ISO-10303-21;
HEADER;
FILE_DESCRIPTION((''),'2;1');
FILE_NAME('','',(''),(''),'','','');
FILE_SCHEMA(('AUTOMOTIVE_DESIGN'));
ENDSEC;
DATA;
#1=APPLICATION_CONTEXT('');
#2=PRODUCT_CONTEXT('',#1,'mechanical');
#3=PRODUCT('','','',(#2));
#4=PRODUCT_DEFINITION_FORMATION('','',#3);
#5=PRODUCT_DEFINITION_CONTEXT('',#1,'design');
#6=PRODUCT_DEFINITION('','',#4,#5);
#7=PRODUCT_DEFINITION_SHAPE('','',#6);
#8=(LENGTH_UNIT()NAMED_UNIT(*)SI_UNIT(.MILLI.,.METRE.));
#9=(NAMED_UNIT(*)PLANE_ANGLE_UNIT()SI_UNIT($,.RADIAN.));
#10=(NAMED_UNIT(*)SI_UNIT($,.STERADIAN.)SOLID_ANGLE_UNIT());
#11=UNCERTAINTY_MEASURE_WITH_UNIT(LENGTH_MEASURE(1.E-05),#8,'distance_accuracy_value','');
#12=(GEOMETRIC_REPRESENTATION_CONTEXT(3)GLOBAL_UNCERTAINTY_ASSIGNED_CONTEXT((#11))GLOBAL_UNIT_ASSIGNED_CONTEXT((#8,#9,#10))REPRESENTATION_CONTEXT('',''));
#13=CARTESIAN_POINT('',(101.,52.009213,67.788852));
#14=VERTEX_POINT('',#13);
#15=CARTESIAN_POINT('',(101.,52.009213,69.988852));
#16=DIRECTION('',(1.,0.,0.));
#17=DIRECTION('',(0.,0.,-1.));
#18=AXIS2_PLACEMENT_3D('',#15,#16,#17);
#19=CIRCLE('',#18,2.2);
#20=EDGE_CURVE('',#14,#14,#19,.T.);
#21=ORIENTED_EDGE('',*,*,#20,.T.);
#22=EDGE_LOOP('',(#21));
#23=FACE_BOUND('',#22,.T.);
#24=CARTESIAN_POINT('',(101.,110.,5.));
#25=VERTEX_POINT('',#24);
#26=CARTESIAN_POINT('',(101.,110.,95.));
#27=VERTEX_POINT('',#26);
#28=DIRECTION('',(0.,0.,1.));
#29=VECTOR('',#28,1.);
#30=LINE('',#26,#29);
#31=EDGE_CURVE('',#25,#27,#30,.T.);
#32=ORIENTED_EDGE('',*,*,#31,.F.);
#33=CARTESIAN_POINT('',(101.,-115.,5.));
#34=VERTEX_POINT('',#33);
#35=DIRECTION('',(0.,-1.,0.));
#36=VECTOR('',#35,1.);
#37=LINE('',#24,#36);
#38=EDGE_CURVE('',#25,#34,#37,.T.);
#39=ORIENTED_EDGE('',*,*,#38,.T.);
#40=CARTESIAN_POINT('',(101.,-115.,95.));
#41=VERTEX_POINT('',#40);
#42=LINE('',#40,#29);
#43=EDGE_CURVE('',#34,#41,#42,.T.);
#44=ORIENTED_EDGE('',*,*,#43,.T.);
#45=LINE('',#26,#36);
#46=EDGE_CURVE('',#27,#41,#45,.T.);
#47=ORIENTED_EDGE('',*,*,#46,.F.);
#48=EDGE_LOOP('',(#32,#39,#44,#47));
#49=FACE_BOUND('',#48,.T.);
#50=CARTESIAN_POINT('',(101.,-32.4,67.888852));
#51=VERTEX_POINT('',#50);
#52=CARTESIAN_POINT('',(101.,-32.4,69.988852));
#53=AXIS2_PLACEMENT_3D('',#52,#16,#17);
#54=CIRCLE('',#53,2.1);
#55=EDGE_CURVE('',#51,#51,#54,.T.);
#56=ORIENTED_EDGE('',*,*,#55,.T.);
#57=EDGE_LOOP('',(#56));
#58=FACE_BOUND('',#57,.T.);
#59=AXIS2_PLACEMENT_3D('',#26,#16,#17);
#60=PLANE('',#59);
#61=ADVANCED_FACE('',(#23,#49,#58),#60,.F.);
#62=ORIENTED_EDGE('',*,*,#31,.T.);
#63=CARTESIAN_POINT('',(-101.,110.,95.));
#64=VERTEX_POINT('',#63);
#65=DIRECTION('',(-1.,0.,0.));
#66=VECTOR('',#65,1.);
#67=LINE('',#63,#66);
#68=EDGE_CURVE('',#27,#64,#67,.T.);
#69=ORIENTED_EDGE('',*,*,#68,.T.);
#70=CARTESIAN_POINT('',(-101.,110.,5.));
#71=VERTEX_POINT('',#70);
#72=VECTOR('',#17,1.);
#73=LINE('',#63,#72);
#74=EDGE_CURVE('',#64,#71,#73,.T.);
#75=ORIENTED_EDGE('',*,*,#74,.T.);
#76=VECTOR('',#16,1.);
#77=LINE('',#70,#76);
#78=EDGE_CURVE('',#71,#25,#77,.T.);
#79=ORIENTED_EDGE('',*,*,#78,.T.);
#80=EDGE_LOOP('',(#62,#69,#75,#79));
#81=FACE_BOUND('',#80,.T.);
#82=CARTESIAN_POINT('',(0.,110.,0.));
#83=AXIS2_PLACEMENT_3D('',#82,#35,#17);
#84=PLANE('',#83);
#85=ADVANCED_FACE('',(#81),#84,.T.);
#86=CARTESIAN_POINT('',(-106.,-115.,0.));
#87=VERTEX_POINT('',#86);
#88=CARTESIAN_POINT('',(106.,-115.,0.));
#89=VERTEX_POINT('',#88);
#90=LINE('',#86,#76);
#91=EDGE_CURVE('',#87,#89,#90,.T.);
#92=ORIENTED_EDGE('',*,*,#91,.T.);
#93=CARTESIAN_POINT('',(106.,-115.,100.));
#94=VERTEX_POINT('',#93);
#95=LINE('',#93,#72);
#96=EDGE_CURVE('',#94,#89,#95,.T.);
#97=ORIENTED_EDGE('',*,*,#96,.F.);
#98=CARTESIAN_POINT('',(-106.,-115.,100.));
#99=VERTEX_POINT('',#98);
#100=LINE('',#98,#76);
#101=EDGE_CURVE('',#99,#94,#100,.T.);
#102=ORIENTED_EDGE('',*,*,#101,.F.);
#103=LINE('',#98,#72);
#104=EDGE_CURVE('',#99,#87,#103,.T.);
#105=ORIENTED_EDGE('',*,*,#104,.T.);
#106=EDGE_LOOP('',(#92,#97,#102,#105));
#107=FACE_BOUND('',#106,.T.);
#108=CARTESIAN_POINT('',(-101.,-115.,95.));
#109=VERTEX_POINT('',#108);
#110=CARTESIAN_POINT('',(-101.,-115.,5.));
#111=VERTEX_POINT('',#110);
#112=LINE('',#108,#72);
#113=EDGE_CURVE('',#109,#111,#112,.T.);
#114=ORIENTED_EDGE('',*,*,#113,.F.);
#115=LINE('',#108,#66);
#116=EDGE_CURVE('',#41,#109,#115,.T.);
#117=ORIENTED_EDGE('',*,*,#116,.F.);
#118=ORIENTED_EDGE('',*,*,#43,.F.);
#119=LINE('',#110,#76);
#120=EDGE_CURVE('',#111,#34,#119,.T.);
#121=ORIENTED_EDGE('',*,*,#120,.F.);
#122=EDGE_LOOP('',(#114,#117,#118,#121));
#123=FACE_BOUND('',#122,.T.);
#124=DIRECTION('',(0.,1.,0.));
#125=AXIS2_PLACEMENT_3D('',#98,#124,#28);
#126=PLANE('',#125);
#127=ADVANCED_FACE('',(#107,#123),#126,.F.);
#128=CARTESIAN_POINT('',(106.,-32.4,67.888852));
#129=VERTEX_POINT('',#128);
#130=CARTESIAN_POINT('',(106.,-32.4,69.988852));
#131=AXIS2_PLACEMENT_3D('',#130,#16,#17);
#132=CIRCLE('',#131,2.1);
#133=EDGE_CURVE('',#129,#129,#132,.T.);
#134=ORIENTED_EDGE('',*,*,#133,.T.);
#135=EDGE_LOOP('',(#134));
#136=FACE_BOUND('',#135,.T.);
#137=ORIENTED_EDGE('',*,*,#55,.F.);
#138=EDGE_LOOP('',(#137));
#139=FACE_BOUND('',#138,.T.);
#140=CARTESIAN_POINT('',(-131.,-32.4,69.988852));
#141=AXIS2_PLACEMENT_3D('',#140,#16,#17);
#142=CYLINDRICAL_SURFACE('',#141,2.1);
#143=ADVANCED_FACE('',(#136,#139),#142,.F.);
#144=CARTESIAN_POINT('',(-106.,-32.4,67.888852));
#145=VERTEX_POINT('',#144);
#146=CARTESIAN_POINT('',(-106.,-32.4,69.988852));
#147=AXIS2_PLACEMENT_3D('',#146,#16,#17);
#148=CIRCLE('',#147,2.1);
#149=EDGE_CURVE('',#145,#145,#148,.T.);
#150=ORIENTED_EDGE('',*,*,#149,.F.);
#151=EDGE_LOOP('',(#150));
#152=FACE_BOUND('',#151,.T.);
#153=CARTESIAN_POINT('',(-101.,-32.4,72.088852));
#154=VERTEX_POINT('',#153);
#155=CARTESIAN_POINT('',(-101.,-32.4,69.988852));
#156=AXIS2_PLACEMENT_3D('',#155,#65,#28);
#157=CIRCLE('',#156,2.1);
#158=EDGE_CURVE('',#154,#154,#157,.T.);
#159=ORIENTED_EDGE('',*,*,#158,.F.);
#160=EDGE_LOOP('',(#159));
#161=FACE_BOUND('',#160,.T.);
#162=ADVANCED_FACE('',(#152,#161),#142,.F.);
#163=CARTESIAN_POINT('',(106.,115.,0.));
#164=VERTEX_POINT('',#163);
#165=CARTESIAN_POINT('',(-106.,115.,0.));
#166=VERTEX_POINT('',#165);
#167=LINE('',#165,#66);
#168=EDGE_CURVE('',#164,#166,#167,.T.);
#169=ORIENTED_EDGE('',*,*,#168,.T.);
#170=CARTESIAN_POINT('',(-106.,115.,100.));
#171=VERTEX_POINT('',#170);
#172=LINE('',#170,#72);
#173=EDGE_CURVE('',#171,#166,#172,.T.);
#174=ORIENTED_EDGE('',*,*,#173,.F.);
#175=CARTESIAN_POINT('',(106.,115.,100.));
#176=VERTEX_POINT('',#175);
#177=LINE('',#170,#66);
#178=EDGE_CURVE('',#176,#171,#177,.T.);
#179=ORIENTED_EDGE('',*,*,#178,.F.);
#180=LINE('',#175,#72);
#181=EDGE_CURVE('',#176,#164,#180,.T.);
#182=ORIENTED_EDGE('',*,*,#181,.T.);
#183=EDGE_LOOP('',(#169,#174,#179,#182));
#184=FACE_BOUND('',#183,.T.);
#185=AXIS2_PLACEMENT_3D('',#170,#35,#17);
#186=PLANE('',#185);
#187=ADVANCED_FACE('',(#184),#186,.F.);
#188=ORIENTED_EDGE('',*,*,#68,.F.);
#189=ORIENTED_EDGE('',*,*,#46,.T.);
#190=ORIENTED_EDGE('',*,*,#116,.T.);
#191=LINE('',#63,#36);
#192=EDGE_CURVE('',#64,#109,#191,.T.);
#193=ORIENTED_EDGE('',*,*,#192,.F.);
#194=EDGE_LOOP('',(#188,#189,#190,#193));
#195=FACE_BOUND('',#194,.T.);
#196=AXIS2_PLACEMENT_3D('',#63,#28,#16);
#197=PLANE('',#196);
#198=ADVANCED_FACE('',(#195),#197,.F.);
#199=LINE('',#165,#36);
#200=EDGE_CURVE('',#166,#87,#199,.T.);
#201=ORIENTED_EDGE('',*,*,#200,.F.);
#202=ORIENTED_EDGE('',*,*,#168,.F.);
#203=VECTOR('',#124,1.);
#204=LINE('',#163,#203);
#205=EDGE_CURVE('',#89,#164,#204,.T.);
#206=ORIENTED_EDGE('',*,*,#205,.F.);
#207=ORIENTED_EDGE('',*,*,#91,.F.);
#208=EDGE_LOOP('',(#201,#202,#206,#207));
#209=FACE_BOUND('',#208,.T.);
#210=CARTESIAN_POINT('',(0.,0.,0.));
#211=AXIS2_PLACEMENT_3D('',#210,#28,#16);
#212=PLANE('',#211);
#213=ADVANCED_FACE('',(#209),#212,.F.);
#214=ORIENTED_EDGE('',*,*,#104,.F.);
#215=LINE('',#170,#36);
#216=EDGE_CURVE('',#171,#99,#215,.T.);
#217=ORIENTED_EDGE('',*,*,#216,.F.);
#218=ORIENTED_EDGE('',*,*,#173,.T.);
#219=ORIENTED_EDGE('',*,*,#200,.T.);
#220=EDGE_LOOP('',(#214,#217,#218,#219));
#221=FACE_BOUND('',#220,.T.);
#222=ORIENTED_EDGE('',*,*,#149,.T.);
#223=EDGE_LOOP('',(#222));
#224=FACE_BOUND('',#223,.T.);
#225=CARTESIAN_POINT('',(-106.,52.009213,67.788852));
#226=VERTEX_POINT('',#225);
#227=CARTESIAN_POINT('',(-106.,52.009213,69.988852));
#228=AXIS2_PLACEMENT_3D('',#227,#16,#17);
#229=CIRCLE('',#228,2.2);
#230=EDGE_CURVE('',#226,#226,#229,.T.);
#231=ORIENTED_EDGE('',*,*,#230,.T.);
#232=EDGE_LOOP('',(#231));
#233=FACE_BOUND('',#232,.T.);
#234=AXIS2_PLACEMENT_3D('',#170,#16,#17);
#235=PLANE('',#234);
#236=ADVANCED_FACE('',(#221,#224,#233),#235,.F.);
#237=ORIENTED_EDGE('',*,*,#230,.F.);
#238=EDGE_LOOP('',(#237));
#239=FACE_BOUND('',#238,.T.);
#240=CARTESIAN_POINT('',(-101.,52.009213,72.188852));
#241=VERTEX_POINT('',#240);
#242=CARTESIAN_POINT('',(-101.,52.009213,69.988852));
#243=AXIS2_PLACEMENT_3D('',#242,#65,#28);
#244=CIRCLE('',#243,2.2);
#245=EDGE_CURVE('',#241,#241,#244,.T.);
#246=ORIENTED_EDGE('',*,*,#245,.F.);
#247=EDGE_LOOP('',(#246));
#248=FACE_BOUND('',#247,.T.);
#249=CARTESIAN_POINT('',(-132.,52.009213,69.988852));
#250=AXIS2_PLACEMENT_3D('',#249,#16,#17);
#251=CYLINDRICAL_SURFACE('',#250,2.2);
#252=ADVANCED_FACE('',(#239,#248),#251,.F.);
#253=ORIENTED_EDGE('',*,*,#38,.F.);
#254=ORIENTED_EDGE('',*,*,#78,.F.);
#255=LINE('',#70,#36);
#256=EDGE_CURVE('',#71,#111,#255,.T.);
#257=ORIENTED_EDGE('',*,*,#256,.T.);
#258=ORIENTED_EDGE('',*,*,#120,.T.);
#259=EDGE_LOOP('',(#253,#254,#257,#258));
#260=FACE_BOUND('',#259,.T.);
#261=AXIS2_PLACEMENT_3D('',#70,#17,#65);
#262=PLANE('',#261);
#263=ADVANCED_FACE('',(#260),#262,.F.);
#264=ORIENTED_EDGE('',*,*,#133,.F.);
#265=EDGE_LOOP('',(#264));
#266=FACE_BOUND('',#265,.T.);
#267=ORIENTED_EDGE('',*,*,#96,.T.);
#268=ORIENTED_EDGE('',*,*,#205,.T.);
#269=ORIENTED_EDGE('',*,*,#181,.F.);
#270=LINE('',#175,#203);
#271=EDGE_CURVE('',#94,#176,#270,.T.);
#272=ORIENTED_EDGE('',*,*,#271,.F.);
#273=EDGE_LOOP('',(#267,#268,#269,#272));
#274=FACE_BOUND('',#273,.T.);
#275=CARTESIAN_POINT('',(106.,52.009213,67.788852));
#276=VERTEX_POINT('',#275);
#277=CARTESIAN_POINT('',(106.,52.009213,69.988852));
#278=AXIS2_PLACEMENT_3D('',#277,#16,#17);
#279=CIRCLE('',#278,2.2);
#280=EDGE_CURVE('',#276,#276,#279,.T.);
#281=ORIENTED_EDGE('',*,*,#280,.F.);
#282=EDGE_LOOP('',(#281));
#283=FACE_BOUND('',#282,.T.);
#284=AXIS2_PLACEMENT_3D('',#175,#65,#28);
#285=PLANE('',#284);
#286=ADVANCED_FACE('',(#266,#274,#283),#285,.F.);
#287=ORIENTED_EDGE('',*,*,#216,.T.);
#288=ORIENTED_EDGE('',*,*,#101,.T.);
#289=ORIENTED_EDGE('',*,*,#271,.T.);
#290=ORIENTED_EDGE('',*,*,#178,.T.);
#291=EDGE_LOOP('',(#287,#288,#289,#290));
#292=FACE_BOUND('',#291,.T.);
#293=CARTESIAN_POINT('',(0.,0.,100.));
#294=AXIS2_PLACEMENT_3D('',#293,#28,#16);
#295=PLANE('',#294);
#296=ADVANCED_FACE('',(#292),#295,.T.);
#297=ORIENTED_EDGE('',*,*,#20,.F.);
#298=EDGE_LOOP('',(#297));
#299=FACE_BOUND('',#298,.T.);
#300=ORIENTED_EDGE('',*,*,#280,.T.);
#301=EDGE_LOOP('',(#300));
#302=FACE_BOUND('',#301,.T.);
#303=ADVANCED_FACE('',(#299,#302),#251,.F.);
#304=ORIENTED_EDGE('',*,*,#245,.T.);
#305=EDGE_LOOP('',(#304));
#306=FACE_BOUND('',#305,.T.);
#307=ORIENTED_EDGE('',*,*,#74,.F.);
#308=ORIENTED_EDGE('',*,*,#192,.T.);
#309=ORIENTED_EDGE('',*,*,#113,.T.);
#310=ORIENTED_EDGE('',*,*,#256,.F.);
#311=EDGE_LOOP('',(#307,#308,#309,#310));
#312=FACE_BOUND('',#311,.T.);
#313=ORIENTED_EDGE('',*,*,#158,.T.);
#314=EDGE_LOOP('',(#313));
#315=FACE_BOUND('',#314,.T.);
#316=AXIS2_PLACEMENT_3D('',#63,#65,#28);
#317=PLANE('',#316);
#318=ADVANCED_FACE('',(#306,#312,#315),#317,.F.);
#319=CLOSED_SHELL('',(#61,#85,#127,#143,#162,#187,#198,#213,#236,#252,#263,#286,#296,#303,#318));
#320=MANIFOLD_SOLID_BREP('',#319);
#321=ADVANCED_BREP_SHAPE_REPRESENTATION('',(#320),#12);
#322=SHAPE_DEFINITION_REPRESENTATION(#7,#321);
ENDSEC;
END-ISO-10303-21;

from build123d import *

# Parameters (mm, degrees)
SKETCH_1_W          = 212
SKETCH_1_H          = 230
EXTRUDE_1_DEPTH     = 100
SKETCH_2_W          = 202
SKETCH_2_H          = 90
CUT_EXTRUDE_1_DEPTH = 225
SKETCH_5_R          = 2.2
CUT_EXTRUDE_4_DEPTH = 238
SKETCH_6_R          = 2.1
CUT_EXTRUDE_5_DEPTH = 237


with BuildPart() as part:
    # 草圖1 → 填料-伸長1 (new body)
    with BuildSketch(Plane.XY):
        Rectangle(SKETCH_1_W, SKETCH_1_H)
    extrude(amount=EXTRUDE_1_DEPTH)

    # 草圖2 → 除料-伸長1 (cut)
    with BuildSketch(Plane.XZ.offset(115)):
        with Locations((0, 50)):
            Rectangle(SKETCH_2_W, SKETCH_2_H)
    extrude(amount=-CUT_EXTRUDE_1_DEPTH, mode=Mode.SUBTRACT)

    # 草圖5 → 除料-伸長4 (cut)
    with BuildSketch(Plane(origin=(106, 0, 0), x_dir=(0, 0, -1), z_dir=(1, 0, 0))):
        with Locations((-69.988851691, 52.009212606)):
            Circle(SKETCH_5_R)
    extrude(amount=-CUT_EXTRUDE_4_DEPTH, mode=Mode.SUBTRACT)

    # 草圖6 → 除料-伸長5 (cut)
    with BuildSketch(Plane(origin=(106, 0, 0), x_dir=(0, 0, -1), z_dir=(1, 0, 0))):
        with Locations((-69.988851691, -32.4)):
            Circle(SKETCH_6_R)
    extrude(amount=-CUT_EXTRUDE_5_DEPTH, mode=Mode.SUBTRACT)


solid = part.part
